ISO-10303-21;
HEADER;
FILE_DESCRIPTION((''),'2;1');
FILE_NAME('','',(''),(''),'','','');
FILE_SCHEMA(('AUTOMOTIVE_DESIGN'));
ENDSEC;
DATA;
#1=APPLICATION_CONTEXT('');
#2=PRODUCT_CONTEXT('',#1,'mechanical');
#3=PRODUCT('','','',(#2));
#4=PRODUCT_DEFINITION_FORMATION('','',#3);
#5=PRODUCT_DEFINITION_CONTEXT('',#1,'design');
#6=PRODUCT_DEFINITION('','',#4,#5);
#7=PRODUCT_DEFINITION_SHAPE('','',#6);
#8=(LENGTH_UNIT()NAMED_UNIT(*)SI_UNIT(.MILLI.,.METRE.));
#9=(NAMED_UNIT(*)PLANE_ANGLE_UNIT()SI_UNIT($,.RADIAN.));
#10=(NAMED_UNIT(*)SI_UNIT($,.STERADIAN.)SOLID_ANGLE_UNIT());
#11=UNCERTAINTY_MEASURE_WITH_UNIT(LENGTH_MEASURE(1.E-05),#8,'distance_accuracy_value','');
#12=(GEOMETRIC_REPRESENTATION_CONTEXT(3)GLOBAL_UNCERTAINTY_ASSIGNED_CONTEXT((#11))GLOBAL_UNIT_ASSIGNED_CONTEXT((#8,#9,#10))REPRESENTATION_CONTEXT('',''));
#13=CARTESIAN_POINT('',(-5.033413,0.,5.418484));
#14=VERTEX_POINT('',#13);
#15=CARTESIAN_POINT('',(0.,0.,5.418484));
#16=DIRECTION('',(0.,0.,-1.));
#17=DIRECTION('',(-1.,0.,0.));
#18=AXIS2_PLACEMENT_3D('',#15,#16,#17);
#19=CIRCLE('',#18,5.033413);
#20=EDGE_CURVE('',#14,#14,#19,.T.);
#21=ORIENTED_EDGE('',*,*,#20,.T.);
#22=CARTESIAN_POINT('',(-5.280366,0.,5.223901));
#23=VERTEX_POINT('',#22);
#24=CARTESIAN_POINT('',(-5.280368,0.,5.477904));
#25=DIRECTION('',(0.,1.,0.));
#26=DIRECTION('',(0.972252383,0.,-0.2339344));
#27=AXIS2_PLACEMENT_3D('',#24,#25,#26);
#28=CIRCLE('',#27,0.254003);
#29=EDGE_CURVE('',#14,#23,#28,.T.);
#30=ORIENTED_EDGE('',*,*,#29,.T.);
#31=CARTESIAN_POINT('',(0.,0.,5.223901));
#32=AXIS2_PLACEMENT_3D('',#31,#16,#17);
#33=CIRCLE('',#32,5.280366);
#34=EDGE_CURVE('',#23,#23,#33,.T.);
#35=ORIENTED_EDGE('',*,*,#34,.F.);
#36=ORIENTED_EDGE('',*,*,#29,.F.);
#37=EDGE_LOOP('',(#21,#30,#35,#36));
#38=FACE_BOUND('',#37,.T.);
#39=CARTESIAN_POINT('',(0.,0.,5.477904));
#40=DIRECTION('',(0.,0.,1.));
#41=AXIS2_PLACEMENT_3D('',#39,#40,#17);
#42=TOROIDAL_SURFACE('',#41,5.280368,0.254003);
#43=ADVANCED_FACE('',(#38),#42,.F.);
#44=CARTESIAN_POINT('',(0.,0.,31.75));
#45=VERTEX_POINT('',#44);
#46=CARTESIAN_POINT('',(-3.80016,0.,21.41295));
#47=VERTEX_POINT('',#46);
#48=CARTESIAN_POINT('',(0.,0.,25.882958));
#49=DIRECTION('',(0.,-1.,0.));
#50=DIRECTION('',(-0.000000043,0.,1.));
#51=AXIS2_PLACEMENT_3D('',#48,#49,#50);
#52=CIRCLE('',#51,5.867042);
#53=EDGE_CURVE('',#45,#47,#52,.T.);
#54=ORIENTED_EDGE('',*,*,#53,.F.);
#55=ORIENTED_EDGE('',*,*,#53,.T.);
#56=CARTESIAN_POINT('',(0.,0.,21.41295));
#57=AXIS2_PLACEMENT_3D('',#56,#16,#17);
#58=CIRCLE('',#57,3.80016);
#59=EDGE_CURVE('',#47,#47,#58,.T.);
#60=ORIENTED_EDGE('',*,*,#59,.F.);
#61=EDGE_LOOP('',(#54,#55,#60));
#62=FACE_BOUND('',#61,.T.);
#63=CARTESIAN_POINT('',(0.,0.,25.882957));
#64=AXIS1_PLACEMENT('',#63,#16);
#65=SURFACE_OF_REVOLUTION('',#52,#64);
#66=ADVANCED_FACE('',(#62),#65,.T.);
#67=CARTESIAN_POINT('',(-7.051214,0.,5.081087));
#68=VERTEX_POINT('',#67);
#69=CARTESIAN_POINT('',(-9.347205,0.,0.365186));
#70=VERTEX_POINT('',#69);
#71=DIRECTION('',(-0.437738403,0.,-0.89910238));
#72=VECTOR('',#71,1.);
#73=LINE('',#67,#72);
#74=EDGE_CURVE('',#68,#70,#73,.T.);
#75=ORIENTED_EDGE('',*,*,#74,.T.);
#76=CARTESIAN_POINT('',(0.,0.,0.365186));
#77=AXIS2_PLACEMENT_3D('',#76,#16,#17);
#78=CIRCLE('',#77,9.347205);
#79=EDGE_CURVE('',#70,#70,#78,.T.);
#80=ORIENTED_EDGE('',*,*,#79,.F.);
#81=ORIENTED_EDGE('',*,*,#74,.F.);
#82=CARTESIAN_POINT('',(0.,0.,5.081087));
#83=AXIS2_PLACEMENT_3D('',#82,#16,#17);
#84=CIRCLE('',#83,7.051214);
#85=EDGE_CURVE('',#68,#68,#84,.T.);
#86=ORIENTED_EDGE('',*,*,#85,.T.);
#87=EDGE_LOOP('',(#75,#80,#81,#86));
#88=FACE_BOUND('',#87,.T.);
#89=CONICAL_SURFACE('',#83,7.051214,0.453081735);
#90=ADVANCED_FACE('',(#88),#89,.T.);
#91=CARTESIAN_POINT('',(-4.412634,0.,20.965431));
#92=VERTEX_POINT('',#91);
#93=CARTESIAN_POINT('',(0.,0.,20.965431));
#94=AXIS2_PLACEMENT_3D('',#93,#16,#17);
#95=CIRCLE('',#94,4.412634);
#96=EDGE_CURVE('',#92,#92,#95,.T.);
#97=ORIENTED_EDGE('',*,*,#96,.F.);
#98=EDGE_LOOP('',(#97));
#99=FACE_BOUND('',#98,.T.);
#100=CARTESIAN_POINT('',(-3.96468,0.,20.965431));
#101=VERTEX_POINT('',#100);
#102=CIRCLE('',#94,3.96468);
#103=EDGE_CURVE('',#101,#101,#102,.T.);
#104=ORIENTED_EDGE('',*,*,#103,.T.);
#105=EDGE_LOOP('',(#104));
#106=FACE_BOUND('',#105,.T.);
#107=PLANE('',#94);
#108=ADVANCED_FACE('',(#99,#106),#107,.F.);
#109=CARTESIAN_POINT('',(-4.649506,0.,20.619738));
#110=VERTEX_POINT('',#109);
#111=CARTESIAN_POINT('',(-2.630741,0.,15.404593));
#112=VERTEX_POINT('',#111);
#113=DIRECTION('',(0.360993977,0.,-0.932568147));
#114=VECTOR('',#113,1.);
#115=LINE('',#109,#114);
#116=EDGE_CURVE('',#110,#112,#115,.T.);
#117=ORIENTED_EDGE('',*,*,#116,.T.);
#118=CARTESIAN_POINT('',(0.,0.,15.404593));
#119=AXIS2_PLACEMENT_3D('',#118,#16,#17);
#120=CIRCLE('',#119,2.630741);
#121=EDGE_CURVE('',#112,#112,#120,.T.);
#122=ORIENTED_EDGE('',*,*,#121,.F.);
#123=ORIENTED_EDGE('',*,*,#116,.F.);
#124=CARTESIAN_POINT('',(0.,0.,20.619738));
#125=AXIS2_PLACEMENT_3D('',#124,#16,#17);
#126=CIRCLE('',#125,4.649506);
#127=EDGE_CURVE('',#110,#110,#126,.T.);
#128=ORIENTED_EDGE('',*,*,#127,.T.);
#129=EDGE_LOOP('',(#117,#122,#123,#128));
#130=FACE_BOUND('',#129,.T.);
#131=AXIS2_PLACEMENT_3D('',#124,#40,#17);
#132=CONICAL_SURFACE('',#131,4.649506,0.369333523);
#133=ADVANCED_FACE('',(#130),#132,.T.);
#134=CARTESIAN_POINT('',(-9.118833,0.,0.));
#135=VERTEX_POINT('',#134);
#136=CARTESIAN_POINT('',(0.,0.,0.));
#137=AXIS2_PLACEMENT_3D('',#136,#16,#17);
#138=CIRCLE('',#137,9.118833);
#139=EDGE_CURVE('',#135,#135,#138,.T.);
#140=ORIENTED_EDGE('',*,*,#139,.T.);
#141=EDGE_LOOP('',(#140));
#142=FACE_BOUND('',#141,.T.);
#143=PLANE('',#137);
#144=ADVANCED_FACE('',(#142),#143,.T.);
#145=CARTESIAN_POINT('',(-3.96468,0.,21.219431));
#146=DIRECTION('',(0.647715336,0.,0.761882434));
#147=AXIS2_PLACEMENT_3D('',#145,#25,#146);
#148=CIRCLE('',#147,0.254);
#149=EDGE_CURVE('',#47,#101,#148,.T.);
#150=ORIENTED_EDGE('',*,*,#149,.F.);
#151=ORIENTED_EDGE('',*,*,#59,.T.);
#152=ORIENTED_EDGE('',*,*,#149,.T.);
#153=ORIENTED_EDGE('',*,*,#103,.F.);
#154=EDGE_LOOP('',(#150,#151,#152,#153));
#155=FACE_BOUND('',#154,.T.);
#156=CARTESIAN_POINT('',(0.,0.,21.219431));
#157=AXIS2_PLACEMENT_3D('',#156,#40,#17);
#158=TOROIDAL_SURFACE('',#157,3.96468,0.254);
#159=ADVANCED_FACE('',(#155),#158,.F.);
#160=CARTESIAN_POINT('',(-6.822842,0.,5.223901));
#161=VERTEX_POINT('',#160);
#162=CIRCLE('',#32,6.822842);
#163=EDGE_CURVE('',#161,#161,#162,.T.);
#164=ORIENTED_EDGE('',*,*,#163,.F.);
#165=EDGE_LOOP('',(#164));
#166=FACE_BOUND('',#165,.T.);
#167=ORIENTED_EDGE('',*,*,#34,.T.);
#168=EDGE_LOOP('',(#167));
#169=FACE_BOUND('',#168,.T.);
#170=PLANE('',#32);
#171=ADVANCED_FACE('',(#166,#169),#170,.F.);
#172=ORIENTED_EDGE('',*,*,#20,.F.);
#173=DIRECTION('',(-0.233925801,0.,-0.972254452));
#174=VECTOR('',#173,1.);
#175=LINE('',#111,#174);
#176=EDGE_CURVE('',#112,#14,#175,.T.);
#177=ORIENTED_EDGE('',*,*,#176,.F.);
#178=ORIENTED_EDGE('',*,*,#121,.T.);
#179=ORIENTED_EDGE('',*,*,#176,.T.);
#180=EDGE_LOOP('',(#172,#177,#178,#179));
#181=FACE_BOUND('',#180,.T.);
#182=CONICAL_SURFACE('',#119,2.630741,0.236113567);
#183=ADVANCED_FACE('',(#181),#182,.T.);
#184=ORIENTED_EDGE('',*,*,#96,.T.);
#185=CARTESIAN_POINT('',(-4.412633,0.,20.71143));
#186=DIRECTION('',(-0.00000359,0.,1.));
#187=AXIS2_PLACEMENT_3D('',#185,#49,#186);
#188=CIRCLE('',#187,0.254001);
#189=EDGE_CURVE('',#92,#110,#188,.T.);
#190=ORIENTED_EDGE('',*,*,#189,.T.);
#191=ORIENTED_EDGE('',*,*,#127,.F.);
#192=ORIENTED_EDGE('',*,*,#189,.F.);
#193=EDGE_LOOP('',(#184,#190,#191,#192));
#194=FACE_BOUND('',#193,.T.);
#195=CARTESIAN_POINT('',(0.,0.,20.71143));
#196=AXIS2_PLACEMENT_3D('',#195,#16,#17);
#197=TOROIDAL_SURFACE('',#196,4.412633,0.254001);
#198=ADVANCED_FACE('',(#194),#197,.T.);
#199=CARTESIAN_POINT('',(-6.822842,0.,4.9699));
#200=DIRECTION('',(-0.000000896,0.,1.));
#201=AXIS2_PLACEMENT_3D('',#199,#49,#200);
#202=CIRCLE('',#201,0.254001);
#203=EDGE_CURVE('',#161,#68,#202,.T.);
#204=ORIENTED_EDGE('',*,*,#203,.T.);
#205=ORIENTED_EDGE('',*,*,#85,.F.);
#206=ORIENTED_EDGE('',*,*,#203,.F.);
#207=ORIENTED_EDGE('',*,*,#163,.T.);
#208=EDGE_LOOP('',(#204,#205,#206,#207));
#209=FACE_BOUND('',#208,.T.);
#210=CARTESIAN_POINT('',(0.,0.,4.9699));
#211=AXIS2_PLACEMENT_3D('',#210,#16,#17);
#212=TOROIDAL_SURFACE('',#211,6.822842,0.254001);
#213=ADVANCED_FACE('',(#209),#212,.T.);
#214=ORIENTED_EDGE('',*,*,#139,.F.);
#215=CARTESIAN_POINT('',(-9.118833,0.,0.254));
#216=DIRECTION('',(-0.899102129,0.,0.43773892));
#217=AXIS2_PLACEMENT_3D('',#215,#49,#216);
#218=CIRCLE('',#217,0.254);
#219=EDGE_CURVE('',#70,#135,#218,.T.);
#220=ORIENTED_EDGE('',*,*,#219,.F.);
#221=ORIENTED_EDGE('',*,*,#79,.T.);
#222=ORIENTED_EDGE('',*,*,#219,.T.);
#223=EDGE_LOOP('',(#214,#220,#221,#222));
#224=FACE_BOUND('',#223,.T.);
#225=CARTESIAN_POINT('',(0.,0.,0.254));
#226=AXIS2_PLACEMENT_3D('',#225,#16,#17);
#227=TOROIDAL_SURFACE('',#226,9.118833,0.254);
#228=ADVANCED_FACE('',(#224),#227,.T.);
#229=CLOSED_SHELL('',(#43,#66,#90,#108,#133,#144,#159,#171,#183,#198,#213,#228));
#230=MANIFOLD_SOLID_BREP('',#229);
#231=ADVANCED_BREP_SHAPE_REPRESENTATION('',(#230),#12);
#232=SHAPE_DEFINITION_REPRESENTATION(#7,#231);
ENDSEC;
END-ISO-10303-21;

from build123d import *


with BuildPart() as f1:
    # F0 (on Front) → F1 (revolve)
    with BuildSketch(Plane.XZ):
        with BuildLine():
            Line((0, 20.015915), (0, 31.75))
            ThreePointArc((0, 31.75), (-5.506719, 27.907366), (-3.80016, 21.41295))
            ThreePointArc((-3.80016, 21.41295), (-3.726279, 21.131789), (-3.96468, 20.965431))
            Line((-3.96468, 20.965431), (-4.412634, 20.965431))
            ThreePointArc((-4.412634, 20.965431), (-4.622164, 20.855003), (-4.649506, 20.619738))
            Line((-4.649506, 20.619738), (-2.630741, 15.404593))
            Line((-2.630741, 15.404593), (-5.033413, 5.418484))
            ThreePointArc((-5.033413, 5.418484), (-5.123166, 5.278392), (-5.280366, 5.223901))
            Line((-5.280366, 5.223901), (-6.822842, 5.223901))
            ThreePointArc((-6.822842, 5.223901), (-6.957517, 5.185258), (-7.051214, 5.081087))
            Line((-7.051214, 5.081087), (-9.347205, 0.365186))
            ThreePointArc((-9.347205, 0.365186), (-9.33419, 0.119325), (-9.118833, 0))
            Line((-9.118833, 0), (0, 0))
            Line((0, 0), (0, 5.223901))
            Line((0, 5.223901), (0, 20.015915))
        make_face()
    revolve(axis=Axis((0, 0, 25.882957), (0, 0, -1)))


solid = f1.part
